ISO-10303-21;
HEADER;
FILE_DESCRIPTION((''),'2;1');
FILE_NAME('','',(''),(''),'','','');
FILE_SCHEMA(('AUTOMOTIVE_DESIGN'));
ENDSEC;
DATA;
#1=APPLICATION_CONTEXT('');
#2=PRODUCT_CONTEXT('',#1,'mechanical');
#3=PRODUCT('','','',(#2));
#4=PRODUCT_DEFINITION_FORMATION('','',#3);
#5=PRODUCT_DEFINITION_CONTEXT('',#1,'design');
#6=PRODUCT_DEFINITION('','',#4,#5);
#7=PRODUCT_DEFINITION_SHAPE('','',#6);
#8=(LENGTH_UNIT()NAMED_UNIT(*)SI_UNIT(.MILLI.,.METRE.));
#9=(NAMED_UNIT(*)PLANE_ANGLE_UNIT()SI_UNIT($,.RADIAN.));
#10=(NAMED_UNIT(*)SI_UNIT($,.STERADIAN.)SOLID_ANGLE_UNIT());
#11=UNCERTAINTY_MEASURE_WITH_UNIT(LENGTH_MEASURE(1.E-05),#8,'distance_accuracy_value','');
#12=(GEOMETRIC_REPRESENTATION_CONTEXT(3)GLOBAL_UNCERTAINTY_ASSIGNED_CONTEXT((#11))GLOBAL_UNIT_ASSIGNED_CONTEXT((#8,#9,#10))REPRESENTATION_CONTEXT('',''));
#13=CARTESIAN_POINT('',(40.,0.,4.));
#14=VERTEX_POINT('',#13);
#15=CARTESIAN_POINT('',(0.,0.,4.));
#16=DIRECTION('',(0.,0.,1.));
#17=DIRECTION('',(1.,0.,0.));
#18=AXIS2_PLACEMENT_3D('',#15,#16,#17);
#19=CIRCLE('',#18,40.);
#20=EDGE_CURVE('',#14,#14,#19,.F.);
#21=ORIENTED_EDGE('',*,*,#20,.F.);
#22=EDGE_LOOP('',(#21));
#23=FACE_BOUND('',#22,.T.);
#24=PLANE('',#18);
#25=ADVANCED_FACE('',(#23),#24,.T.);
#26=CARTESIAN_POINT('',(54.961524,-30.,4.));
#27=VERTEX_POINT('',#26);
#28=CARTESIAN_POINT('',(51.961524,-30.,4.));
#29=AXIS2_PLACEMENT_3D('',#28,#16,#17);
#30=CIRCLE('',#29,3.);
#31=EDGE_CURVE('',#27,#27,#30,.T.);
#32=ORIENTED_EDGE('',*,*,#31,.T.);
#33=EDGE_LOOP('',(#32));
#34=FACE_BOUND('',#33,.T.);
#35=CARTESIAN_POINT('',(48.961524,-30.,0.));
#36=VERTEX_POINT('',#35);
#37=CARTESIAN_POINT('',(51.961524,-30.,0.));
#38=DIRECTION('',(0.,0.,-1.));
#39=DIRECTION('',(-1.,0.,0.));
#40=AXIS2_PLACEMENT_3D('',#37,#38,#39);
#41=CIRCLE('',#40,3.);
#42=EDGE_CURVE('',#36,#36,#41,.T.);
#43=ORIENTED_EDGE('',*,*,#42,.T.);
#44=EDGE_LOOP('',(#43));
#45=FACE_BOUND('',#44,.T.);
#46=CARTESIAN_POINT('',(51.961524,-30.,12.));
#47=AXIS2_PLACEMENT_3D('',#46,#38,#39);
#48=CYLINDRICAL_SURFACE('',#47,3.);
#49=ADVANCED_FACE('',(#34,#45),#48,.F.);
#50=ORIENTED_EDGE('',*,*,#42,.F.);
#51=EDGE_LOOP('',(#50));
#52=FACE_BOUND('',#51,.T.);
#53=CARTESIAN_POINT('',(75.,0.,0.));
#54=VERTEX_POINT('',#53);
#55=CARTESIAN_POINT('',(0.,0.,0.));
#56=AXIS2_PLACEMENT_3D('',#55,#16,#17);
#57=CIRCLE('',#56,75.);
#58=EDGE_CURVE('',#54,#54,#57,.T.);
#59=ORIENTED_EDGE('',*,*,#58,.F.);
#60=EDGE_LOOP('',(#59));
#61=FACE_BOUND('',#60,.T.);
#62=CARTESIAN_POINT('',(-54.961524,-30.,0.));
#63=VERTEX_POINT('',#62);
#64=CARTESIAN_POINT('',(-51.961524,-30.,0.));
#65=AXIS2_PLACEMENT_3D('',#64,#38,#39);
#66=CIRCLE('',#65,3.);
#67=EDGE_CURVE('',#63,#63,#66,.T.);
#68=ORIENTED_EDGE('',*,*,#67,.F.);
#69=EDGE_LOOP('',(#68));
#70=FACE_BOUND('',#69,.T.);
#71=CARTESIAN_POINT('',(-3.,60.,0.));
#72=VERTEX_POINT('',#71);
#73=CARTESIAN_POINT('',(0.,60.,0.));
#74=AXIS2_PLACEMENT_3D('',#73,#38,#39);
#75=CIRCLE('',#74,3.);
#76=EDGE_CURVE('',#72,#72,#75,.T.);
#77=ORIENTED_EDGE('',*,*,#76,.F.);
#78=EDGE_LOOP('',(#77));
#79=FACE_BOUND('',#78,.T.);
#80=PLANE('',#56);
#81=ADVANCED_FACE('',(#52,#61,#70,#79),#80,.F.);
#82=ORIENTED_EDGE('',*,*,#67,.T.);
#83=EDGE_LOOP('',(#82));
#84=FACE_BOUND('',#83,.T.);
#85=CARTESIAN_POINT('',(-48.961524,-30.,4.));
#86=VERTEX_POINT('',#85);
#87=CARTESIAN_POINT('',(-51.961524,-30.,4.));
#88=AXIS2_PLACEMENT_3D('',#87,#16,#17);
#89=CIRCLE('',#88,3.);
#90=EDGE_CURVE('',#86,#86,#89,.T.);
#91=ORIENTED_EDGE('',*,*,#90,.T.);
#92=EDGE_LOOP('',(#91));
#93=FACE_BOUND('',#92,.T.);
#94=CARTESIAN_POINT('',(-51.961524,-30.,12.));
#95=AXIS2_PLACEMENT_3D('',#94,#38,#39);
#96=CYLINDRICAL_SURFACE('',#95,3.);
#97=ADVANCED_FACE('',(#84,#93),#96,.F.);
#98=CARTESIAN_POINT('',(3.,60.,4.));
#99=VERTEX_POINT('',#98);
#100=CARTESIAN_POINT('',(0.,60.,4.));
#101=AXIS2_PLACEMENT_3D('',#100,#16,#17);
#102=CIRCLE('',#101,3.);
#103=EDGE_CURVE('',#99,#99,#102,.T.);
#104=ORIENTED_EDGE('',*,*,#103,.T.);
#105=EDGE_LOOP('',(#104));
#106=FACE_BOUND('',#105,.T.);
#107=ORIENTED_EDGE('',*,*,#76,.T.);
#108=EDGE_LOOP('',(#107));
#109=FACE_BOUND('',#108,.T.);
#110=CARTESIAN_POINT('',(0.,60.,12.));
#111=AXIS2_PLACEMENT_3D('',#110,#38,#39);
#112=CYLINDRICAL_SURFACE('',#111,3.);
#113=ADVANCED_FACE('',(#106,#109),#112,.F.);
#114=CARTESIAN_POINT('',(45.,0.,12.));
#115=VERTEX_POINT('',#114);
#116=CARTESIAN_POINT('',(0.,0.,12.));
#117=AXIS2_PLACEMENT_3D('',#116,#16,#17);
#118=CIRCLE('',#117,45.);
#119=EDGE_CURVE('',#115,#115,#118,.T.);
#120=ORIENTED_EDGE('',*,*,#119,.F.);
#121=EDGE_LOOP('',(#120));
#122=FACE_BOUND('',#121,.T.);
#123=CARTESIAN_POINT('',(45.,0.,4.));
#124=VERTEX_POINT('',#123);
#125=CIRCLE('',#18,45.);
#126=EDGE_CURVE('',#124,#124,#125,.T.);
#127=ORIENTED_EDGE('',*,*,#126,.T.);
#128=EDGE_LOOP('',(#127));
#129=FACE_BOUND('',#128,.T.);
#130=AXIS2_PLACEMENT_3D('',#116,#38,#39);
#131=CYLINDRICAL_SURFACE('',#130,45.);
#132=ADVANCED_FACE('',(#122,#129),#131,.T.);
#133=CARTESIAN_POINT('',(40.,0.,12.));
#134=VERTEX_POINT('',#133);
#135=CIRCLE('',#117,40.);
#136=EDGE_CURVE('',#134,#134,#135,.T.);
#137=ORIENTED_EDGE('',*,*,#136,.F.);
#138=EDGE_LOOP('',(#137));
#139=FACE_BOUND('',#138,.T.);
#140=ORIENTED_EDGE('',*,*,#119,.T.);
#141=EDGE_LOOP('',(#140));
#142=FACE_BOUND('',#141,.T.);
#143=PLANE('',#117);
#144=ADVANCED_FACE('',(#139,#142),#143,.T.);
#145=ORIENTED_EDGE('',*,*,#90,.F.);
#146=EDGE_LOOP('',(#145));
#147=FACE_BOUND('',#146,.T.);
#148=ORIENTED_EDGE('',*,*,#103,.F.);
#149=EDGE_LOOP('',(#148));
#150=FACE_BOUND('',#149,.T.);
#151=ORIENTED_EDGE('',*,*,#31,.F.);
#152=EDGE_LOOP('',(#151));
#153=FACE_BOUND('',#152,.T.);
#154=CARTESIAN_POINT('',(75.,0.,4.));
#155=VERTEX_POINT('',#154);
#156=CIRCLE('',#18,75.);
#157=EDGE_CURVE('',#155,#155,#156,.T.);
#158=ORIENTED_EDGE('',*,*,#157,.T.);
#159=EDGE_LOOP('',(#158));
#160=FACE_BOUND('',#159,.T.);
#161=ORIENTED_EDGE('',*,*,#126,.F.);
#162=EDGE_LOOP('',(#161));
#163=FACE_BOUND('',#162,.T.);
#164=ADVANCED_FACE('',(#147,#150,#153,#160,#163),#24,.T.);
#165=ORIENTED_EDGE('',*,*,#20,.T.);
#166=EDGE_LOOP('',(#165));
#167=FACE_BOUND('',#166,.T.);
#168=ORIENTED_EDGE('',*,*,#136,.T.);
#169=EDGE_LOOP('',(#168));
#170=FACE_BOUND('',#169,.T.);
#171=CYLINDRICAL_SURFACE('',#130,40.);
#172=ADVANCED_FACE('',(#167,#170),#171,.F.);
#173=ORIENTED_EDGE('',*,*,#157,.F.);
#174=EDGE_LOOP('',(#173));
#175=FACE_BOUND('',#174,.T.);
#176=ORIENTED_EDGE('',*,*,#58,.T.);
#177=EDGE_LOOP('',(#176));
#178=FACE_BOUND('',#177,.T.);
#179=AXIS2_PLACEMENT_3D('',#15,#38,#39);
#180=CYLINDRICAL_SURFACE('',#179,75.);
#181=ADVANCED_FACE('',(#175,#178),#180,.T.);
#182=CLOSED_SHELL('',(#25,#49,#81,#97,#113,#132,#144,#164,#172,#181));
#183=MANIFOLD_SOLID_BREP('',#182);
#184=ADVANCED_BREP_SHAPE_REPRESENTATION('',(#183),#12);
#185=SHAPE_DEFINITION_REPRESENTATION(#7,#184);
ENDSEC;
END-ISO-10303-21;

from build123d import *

# Parameters (mm, degrees)
SKETCH1_R           = 75
BOSS_EXTRUDE1_DEPTH = 4
SKETCH2_R           = 45
SKETCH2_R_2         = 40
BOSS_EXTRUDE2_DEPTH = 8
SKETCH4_R           = 3
CUT_EXTRUDE1_DEPTH  = 13


with BuildPart() as part:
    # Sketch1 → Boss-Extrude1 (new body)
    with BuildSketch(Plane.XY):
        Circle(SKETCH1_R)
    extrude(amount=BOSS_EXTRUDE1_DEPTH)

    # Sketch2 → Boss-Extrude2 (add)
    with BuildSketch(Plane.XY.offset(4)):
        Circle(SKETCH2_R)
        Circle(SKETCH2_R_2, mode=Mode.SUBTRACT)
    extrude(amount=BOSS_EXTRUDE2_DEPTH)

    # Sketch4 → Cut-Extrude1 (cut, through all)
    with BuildSketch(Plane(origin=(0, 0, 0), x_dir=(-1, 0, 0), z_dir=(0, 0, -1))):
        with Locations((0, 60)):
            Circle(SKETCH4_R)
        with Locations((51.961524227, -30)):
            Circle(SKETCH4_R)
        with Locations((-51.961524227, -30)):
            Circle(SKETCH4_R)
    extrude(amount=-CUT_EXTRUDE1_DEPTH, mode=Mode.SUBTRACT)


solid = part.part
